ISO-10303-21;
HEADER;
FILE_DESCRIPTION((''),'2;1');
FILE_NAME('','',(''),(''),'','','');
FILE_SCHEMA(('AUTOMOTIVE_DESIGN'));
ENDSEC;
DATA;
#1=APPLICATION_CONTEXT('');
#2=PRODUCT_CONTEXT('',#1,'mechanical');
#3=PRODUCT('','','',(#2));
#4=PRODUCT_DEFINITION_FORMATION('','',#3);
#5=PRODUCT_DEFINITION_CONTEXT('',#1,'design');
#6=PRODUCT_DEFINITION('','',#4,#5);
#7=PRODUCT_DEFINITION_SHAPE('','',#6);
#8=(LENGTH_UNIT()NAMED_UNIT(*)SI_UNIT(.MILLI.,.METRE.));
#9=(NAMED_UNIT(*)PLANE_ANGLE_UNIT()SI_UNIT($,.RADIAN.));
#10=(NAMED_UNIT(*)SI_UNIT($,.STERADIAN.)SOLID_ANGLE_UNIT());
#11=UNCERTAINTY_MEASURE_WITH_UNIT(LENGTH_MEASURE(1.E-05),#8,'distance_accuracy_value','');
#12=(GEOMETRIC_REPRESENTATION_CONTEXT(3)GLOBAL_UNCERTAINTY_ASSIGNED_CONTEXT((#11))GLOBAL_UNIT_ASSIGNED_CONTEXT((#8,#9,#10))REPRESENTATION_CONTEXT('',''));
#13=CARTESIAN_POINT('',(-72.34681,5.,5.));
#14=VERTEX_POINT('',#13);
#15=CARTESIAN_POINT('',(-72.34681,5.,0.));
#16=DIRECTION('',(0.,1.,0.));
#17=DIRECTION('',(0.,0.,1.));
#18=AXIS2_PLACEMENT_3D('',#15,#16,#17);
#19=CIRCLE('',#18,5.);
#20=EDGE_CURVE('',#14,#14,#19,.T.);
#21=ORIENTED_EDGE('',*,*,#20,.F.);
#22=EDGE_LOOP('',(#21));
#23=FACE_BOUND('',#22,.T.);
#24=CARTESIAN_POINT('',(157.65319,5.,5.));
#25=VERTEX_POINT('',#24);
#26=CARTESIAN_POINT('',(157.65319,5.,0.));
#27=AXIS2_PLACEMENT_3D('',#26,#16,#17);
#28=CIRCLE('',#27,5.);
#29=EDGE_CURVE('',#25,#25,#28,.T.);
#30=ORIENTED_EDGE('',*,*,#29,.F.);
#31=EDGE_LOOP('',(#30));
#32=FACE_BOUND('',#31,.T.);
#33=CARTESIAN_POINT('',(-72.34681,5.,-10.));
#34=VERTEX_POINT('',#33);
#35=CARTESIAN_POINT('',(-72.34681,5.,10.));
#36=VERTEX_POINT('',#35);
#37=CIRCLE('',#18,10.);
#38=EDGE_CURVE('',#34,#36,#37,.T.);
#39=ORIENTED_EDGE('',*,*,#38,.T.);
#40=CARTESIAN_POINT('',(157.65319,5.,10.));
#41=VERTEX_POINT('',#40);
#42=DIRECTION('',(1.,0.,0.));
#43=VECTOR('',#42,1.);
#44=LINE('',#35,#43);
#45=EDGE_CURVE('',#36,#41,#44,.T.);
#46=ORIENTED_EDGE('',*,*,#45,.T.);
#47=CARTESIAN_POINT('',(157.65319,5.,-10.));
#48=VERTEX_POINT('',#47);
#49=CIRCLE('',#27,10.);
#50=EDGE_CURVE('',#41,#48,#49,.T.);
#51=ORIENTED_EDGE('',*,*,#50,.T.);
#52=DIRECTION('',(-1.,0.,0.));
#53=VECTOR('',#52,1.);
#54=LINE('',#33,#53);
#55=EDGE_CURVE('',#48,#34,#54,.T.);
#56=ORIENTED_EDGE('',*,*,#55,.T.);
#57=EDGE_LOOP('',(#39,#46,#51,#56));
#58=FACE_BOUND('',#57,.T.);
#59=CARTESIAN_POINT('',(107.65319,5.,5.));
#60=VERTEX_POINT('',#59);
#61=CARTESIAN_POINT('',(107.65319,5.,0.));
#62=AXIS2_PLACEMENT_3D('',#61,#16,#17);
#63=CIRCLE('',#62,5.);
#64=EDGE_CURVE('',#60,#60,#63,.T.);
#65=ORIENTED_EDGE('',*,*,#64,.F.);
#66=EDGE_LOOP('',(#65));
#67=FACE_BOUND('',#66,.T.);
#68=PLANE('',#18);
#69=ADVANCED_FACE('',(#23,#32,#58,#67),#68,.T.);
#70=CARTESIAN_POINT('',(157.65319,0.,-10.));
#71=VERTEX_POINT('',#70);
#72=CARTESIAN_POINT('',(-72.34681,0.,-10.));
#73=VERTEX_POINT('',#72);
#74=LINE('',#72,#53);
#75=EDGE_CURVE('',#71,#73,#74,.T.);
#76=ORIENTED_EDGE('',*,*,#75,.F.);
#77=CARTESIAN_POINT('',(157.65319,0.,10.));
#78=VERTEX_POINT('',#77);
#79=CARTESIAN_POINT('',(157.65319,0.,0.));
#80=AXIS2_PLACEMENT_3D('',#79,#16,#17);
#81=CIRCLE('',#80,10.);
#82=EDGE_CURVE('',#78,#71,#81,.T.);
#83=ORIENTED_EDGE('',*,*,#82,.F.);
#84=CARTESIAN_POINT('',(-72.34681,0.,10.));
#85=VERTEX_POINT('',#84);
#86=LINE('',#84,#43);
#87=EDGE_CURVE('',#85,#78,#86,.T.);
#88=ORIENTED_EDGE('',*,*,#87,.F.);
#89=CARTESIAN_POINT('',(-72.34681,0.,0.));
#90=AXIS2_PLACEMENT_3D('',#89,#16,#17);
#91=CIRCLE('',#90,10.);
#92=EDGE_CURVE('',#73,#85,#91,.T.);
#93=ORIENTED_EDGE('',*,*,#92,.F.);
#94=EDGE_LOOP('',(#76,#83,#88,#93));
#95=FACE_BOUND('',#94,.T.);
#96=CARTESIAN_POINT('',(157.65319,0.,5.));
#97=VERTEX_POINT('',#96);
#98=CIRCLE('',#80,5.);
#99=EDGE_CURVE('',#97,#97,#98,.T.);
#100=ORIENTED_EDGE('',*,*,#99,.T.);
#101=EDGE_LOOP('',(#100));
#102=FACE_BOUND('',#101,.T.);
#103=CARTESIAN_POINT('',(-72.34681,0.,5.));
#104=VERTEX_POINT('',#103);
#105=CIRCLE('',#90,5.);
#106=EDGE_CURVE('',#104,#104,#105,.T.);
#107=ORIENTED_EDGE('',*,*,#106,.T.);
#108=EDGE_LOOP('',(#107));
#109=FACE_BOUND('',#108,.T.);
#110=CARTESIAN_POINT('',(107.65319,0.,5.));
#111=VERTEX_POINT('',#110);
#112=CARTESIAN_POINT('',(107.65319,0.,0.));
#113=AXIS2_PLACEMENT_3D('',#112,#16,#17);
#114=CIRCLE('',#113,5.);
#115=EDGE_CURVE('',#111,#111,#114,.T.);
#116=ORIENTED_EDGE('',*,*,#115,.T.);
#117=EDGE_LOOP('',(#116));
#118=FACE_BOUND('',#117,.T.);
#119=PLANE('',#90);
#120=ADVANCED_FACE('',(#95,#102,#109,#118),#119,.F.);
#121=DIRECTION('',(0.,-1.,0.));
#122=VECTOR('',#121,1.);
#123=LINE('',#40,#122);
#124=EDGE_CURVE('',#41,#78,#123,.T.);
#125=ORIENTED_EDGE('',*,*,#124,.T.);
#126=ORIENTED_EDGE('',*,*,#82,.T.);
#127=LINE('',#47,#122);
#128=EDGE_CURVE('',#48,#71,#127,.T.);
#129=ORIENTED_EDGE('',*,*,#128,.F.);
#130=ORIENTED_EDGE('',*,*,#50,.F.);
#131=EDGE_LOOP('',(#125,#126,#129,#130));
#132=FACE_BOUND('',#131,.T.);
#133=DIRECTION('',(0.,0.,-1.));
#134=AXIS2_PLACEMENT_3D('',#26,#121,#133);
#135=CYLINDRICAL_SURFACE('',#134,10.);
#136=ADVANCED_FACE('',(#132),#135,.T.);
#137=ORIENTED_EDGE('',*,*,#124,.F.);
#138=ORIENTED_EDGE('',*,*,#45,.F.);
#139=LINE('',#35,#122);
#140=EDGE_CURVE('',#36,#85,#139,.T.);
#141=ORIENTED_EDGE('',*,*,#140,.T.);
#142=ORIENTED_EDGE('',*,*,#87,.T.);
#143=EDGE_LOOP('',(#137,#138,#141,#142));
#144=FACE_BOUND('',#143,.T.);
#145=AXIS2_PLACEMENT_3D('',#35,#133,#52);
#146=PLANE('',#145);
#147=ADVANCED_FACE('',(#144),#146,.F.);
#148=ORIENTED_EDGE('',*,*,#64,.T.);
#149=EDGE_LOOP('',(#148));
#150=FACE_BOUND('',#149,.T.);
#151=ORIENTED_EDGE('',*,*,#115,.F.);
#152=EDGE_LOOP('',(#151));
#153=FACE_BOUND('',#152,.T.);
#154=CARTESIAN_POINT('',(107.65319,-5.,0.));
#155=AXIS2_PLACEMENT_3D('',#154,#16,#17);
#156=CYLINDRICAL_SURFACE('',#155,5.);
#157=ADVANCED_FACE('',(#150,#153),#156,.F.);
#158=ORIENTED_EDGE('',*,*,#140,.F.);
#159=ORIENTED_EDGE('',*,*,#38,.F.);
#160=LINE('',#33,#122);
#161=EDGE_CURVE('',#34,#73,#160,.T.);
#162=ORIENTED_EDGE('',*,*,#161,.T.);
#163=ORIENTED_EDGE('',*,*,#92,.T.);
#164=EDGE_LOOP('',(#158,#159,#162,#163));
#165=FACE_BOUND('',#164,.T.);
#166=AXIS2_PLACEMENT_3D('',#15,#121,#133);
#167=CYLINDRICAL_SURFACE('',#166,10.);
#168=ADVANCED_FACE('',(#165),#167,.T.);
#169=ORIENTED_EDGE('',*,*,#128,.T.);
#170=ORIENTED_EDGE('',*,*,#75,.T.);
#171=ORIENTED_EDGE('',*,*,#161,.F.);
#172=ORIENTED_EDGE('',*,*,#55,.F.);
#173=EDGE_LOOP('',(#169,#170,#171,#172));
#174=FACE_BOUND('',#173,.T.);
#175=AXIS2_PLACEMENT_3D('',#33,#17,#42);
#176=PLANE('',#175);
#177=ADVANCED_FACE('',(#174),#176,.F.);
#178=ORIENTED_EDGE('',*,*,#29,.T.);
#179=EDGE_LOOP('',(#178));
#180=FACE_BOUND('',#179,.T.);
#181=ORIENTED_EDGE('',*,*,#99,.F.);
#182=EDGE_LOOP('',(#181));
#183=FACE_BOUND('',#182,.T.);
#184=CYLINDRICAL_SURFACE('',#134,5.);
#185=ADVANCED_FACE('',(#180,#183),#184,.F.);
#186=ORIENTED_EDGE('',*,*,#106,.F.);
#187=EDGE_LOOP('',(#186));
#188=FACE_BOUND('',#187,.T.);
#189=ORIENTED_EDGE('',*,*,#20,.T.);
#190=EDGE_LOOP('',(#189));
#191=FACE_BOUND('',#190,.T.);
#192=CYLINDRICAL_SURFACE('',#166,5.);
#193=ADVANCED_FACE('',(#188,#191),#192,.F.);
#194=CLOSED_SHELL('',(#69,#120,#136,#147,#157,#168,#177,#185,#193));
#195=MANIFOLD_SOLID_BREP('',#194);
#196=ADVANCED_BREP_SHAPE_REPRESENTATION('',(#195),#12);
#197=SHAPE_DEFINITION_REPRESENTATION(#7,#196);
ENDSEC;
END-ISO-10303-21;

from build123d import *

# Parameters (mm, degrees)
SKETCH1_R           = 5
BOSS_EXTRUDE1_DEPTH = 5
SKETCH2_R           = 5
CUT_EXTRUDE1_DEPTH  = 10


with BuildPart() as part:
    # Sketch1 → Boss-Extrude1 (new body)
    with BuildSketch(Plane(origin=(0, 0, 0), x_dir=(1, 0, 0), z_dir=(0, 1, 0))):
        with BuildLine():
            Line((-72.346809709, 10), (157.653190291, 10))
            ThreePointArc((157.653190291, 10), (167.653190291, 0), (157.653190291, -10))
            Line((157.653190291, -10), (-72.346809709, -10))
            ThreePointArc((-72.346809709, -10), (-82.346809709, 0), (-72.346809709, 10))
        make_face()
        with Locations(Location((-72.346809709, 0, 0), (0, 0, 270))):
            Circle(SKETCH1_R, mode=Mode.SUBTRACT)
        with Locations(Location((157.653190291, 0, 0), (0, 0, 270))):
            Circle(SKETCH1_R, mode=Mode.SUBTRACT)
    extrude(amount=BOSS_EXTRUDE1_DEPTH)

    # Sketch2 → Cut-Extrude1 (cut)
    with BuildSketch(Plane(origin=(0, 5, 0), x_dir=(1, 0, 0), z_dir=(0, 1, 0))):
        with Locations(Location((107.653190291, 0, 0), (0, 0, 270))):
            Circle(SKETCH2_R)
    extrude(amount=-CUT_EXTRUDE1_DEPTH, mode=Mode.SUBTRACT)


solid = part.part
